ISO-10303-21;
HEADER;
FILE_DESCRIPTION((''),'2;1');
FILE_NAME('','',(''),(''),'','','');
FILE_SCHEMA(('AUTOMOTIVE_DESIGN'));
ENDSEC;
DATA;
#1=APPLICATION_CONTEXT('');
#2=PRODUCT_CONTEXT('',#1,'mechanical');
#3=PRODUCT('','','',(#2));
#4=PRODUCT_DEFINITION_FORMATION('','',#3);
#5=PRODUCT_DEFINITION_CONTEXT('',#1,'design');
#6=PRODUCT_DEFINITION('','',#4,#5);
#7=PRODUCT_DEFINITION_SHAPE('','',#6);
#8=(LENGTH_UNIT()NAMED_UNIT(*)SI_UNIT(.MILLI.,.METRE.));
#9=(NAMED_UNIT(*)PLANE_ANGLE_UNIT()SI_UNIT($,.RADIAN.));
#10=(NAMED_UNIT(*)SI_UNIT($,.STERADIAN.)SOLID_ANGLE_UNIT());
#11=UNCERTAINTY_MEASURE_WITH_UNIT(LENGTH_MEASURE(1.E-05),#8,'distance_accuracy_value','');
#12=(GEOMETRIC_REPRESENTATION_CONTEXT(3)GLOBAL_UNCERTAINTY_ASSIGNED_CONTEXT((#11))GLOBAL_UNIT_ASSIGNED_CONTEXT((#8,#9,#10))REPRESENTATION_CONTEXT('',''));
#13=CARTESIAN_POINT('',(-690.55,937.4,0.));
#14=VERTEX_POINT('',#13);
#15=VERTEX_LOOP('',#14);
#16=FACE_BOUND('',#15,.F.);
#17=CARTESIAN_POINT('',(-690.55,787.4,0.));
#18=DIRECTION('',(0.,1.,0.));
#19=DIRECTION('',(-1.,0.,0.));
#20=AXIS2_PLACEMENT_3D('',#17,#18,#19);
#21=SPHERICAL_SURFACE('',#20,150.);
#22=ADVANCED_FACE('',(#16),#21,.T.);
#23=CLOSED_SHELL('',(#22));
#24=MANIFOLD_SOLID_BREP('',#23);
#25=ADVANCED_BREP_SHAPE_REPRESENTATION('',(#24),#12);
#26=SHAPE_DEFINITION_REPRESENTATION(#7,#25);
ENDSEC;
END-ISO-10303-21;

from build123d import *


with BuildPart() as part:
    # Sketch1 → Revolve1 (revolve)
    with BuildSketch(Plane.XY):
        with BuildLine():
            Line((-690.550000025, 937.399999974), (-690.550000025, 637.400000026))
            ThreePointArc((-690.550000025, 637.400000026), (-840.549999999, 787.4), (-690.550000025, 937.399999974))
        make_face()
    revolve(axis=Axis((-690.550000025, 937.399999974, 0), (0, -1, 0)))


solid = part.part
